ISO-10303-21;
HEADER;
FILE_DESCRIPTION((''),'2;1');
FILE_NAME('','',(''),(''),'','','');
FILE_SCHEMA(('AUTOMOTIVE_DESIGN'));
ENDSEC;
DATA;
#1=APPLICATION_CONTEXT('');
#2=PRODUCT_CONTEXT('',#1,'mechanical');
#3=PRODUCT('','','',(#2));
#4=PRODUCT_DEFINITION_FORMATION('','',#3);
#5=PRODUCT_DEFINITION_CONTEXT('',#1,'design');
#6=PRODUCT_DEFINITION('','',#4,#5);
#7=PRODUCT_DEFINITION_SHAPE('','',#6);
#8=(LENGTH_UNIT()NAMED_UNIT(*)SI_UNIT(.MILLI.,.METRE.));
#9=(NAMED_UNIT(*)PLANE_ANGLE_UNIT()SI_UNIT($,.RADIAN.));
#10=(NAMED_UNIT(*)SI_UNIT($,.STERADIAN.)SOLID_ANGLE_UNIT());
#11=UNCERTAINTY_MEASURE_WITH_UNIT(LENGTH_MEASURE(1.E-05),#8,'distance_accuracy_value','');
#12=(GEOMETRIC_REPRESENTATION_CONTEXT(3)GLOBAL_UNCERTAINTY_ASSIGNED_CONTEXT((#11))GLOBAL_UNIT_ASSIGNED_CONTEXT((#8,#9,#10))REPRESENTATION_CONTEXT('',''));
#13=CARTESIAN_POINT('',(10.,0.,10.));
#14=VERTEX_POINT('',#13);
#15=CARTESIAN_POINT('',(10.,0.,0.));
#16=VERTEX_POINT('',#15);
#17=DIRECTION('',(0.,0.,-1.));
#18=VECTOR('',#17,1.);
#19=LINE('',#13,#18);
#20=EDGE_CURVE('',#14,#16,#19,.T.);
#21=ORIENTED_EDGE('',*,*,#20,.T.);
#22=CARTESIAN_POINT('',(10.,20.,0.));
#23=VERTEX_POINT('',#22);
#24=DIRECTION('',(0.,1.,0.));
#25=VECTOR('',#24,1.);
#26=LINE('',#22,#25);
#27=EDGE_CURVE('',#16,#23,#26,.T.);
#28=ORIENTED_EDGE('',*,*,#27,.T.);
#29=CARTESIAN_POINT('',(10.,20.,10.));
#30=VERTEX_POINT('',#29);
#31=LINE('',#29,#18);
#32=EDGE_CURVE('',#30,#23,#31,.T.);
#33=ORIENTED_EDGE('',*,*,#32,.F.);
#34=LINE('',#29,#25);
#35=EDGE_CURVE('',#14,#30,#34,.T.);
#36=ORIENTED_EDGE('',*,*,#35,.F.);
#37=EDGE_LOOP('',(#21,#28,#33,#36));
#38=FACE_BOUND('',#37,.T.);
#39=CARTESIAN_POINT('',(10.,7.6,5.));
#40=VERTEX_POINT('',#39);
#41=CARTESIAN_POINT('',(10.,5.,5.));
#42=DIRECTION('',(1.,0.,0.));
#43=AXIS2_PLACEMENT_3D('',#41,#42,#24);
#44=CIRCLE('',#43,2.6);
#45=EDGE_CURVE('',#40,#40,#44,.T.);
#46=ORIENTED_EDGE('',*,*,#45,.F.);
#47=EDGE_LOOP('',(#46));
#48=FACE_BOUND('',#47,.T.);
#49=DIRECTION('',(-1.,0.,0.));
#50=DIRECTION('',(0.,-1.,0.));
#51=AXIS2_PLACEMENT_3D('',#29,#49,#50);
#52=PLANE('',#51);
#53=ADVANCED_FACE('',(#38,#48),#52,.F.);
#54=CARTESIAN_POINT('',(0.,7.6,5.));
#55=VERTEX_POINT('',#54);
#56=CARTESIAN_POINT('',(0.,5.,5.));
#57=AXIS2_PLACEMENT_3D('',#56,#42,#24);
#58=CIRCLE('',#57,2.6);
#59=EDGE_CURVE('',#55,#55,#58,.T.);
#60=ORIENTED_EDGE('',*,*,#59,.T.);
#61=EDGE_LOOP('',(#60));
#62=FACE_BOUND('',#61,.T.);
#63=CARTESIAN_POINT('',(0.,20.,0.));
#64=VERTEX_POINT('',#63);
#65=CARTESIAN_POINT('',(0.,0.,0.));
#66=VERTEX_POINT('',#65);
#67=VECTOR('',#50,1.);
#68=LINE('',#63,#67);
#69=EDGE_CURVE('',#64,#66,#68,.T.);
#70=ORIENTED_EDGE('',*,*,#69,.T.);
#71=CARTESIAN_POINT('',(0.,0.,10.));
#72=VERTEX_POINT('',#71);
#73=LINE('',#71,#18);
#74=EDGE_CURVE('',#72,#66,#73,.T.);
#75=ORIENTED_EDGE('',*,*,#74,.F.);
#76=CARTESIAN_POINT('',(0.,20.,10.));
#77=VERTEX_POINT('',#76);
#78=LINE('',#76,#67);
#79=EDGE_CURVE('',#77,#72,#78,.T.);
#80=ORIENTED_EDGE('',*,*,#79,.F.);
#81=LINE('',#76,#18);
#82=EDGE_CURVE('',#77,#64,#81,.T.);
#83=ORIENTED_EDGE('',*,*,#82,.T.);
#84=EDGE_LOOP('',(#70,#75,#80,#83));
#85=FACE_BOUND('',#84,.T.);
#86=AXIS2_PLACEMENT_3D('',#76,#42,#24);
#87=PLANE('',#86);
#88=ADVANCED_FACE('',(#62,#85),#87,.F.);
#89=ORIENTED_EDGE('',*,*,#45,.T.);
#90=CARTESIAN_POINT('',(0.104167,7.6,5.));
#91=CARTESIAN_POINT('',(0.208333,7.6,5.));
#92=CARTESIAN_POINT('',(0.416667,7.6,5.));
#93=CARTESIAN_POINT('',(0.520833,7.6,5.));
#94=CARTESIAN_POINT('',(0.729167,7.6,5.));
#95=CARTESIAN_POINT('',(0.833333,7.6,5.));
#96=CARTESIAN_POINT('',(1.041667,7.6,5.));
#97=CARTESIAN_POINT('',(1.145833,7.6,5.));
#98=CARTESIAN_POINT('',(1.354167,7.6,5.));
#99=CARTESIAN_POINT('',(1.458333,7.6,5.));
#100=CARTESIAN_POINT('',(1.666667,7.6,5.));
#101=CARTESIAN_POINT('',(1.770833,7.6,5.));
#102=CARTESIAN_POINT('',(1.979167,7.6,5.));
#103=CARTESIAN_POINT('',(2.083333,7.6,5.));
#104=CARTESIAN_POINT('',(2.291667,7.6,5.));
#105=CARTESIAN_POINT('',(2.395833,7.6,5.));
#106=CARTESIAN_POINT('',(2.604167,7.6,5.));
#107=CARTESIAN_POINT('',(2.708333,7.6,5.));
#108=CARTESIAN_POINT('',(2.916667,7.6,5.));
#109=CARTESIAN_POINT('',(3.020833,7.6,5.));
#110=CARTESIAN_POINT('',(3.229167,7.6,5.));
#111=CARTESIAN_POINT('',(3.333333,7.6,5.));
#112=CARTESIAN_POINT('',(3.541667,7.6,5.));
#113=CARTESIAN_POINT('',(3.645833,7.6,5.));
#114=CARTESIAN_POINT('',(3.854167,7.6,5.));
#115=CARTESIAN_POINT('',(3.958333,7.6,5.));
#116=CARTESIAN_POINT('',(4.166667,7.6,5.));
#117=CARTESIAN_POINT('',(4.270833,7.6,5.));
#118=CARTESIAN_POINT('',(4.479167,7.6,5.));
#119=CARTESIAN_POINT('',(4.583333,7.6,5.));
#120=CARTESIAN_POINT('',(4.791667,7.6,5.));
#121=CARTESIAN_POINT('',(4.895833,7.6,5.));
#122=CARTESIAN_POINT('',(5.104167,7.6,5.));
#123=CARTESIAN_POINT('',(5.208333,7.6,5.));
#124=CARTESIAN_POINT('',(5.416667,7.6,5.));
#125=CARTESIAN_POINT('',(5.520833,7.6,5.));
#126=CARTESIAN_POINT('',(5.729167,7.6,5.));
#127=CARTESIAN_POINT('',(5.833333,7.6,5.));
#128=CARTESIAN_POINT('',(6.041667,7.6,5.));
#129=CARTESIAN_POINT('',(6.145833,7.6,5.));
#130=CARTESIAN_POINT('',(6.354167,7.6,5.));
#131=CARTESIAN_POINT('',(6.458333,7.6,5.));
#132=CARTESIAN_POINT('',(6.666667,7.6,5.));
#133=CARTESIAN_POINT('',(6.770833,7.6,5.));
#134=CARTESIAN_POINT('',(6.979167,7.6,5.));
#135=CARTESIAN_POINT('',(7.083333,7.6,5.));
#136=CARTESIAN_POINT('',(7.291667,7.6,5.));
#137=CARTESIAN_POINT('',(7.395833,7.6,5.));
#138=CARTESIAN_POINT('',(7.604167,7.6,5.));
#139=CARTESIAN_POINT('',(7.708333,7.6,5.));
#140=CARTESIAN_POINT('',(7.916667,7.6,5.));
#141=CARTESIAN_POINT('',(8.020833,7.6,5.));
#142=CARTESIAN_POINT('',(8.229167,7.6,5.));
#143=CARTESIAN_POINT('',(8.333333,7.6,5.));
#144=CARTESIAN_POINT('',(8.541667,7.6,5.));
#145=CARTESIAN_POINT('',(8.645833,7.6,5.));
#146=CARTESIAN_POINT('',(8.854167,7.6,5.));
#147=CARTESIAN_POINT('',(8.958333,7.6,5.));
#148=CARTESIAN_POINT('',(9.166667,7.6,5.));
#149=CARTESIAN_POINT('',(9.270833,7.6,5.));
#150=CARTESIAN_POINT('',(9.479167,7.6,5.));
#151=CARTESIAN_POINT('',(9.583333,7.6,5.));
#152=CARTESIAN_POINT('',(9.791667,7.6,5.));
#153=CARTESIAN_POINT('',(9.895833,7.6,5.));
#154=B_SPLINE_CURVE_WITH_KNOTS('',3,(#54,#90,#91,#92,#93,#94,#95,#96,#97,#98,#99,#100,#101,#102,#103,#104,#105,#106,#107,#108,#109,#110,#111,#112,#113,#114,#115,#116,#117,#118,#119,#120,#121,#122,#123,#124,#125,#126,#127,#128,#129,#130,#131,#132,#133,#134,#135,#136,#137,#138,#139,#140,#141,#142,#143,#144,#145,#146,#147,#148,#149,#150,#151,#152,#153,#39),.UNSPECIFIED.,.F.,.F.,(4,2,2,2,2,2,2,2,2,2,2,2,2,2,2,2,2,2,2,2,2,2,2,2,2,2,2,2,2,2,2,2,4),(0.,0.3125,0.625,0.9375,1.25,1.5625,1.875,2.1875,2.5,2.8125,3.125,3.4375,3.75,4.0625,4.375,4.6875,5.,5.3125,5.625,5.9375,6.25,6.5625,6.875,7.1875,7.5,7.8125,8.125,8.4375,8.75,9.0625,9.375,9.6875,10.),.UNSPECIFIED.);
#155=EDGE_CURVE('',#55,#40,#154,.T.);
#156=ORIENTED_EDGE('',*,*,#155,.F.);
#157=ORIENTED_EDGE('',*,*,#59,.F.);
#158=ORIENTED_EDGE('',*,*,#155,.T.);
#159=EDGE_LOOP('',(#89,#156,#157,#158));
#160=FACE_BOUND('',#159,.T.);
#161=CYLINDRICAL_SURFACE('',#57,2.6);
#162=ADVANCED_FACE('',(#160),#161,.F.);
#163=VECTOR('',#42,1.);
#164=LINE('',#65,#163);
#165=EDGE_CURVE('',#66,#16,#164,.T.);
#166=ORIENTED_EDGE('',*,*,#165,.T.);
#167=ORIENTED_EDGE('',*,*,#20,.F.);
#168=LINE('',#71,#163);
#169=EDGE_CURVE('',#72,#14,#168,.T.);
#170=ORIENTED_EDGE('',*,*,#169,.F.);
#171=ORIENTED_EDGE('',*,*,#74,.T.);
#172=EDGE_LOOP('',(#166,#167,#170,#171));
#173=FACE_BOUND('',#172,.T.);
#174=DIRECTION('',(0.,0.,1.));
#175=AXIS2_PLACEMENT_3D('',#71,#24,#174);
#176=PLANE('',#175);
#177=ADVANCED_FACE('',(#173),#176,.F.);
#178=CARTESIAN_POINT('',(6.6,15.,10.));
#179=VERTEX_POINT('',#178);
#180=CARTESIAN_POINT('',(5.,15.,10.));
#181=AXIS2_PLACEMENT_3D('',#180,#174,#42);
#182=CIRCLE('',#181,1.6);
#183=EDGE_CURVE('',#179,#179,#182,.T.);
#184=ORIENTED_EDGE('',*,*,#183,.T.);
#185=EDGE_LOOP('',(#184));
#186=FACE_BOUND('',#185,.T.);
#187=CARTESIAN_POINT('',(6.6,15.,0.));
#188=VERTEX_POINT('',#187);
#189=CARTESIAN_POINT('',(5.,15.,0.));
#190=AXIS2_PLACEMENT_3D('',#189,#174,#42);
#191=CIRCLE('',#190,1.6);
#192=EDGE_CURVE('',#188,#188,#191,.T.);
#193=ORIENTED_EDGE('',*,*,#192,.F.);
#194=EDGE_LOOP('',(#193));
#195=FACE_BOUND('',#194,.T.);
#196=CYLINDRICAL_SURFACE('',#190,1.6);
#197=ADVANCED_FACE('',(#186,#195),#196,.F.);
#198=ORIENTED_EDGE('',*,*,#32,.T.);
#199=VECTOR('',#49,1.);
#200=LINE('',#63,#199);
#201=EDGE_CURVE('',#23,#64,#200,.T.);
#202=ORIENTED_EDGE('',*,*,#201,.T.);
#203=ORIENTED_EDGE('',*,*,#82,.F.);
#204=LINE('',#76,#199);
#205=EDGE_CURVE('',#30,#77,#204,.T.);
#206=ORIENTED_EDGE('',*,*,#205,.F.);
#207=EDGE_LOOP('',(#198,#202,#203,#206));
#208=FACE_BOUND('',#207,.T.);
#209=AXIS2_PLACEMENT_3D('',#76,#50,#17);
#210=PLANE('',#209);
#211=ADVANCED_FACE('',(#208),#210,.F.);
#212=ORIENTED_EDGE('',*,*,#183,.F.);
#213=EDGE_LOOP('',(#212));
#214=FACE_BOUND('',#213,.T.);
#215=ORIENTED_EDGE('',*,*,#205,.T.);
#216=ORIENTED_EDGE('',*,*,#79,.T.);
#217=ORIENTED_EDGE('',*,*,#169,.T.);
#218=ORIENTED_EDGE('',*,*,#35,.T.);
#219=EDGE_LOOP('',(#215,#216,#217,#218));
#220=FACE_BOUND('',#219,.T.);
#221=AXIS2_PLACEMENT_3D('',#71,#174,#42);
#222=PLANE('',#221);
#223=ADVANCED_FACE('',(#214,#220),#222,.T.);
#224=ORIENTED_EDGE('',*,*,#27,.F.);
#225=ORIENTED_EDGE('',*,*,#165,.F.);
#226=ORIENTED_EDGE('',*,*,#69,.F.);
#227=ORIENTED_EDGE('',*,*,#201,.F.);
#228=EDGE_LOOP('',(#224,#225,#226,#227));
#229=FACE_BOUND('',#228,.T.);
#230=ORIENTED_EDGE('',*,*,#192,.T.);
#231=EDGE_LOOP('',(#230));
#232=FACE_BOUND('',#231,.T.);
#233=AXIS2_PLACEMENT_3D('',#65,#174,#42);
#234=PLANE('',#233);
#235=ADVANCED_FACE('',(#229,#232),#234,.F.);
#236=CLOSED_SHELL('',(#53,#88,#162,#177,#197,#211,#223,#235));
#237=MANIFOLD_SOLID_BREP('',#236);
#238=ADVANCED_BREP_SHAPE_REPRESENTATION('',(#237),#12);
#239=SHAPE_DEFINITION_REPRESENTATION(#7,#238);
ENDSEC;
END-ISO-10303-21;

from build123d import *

# Parameters (mm, degrees)
SKETCH_1_W          = 10
SKETCH_1_H          = 20
EXTRUDE_1_DEPTH     = 10
SKETCH_2_R          = 2.6
CUT_EXTRUDE_1_DEPTH = 25.494897428
SKETCH_3_R          = 1.6
CUT_EXTRUDE_2_DEPTH = 10


with BuildPart() as part:
    # ｽｹｯﾁ1 → ﾎﾞｽ - 押し出し1 (new body)
    with BuildSketch(Plane.XY):
        with Locations((5, 10)):
            Rectangle(SKETCH_1_W, SKETCH_1_H)
    extrude(amount=EXTRUDE_1_DEPTH)

    # ｽｹｯﾁ2 → ｶｯﾄ - 押し出し1 (cut, through all)
    with BuildSketch(Plane(origin=(10, 0, 0), x_dir=(0, 0, -1), z_dir=(1, 0, 0))):
        with Locations(Location((-5, 5, 0), (0, 0, 90))):
            Circle(SKETCH_2_R)
    extrude(amount=-CUT_EXTRUDE_1_DEPTH, mode=Mode.SUBTRACT)

    # ｽｹｯﾁ3 → ｶｯﾄ - 押し出し2 (cut)
    with BuildSketch(Plane.XY.offset(10)):
        with Locations((5, 15)):
            Circle(SKETCH_3_R)
    extrude(amount=-CUT_EXTRUDE_2_DEPTH, mode=Mode.SUBTRACT)


solid = part.part
